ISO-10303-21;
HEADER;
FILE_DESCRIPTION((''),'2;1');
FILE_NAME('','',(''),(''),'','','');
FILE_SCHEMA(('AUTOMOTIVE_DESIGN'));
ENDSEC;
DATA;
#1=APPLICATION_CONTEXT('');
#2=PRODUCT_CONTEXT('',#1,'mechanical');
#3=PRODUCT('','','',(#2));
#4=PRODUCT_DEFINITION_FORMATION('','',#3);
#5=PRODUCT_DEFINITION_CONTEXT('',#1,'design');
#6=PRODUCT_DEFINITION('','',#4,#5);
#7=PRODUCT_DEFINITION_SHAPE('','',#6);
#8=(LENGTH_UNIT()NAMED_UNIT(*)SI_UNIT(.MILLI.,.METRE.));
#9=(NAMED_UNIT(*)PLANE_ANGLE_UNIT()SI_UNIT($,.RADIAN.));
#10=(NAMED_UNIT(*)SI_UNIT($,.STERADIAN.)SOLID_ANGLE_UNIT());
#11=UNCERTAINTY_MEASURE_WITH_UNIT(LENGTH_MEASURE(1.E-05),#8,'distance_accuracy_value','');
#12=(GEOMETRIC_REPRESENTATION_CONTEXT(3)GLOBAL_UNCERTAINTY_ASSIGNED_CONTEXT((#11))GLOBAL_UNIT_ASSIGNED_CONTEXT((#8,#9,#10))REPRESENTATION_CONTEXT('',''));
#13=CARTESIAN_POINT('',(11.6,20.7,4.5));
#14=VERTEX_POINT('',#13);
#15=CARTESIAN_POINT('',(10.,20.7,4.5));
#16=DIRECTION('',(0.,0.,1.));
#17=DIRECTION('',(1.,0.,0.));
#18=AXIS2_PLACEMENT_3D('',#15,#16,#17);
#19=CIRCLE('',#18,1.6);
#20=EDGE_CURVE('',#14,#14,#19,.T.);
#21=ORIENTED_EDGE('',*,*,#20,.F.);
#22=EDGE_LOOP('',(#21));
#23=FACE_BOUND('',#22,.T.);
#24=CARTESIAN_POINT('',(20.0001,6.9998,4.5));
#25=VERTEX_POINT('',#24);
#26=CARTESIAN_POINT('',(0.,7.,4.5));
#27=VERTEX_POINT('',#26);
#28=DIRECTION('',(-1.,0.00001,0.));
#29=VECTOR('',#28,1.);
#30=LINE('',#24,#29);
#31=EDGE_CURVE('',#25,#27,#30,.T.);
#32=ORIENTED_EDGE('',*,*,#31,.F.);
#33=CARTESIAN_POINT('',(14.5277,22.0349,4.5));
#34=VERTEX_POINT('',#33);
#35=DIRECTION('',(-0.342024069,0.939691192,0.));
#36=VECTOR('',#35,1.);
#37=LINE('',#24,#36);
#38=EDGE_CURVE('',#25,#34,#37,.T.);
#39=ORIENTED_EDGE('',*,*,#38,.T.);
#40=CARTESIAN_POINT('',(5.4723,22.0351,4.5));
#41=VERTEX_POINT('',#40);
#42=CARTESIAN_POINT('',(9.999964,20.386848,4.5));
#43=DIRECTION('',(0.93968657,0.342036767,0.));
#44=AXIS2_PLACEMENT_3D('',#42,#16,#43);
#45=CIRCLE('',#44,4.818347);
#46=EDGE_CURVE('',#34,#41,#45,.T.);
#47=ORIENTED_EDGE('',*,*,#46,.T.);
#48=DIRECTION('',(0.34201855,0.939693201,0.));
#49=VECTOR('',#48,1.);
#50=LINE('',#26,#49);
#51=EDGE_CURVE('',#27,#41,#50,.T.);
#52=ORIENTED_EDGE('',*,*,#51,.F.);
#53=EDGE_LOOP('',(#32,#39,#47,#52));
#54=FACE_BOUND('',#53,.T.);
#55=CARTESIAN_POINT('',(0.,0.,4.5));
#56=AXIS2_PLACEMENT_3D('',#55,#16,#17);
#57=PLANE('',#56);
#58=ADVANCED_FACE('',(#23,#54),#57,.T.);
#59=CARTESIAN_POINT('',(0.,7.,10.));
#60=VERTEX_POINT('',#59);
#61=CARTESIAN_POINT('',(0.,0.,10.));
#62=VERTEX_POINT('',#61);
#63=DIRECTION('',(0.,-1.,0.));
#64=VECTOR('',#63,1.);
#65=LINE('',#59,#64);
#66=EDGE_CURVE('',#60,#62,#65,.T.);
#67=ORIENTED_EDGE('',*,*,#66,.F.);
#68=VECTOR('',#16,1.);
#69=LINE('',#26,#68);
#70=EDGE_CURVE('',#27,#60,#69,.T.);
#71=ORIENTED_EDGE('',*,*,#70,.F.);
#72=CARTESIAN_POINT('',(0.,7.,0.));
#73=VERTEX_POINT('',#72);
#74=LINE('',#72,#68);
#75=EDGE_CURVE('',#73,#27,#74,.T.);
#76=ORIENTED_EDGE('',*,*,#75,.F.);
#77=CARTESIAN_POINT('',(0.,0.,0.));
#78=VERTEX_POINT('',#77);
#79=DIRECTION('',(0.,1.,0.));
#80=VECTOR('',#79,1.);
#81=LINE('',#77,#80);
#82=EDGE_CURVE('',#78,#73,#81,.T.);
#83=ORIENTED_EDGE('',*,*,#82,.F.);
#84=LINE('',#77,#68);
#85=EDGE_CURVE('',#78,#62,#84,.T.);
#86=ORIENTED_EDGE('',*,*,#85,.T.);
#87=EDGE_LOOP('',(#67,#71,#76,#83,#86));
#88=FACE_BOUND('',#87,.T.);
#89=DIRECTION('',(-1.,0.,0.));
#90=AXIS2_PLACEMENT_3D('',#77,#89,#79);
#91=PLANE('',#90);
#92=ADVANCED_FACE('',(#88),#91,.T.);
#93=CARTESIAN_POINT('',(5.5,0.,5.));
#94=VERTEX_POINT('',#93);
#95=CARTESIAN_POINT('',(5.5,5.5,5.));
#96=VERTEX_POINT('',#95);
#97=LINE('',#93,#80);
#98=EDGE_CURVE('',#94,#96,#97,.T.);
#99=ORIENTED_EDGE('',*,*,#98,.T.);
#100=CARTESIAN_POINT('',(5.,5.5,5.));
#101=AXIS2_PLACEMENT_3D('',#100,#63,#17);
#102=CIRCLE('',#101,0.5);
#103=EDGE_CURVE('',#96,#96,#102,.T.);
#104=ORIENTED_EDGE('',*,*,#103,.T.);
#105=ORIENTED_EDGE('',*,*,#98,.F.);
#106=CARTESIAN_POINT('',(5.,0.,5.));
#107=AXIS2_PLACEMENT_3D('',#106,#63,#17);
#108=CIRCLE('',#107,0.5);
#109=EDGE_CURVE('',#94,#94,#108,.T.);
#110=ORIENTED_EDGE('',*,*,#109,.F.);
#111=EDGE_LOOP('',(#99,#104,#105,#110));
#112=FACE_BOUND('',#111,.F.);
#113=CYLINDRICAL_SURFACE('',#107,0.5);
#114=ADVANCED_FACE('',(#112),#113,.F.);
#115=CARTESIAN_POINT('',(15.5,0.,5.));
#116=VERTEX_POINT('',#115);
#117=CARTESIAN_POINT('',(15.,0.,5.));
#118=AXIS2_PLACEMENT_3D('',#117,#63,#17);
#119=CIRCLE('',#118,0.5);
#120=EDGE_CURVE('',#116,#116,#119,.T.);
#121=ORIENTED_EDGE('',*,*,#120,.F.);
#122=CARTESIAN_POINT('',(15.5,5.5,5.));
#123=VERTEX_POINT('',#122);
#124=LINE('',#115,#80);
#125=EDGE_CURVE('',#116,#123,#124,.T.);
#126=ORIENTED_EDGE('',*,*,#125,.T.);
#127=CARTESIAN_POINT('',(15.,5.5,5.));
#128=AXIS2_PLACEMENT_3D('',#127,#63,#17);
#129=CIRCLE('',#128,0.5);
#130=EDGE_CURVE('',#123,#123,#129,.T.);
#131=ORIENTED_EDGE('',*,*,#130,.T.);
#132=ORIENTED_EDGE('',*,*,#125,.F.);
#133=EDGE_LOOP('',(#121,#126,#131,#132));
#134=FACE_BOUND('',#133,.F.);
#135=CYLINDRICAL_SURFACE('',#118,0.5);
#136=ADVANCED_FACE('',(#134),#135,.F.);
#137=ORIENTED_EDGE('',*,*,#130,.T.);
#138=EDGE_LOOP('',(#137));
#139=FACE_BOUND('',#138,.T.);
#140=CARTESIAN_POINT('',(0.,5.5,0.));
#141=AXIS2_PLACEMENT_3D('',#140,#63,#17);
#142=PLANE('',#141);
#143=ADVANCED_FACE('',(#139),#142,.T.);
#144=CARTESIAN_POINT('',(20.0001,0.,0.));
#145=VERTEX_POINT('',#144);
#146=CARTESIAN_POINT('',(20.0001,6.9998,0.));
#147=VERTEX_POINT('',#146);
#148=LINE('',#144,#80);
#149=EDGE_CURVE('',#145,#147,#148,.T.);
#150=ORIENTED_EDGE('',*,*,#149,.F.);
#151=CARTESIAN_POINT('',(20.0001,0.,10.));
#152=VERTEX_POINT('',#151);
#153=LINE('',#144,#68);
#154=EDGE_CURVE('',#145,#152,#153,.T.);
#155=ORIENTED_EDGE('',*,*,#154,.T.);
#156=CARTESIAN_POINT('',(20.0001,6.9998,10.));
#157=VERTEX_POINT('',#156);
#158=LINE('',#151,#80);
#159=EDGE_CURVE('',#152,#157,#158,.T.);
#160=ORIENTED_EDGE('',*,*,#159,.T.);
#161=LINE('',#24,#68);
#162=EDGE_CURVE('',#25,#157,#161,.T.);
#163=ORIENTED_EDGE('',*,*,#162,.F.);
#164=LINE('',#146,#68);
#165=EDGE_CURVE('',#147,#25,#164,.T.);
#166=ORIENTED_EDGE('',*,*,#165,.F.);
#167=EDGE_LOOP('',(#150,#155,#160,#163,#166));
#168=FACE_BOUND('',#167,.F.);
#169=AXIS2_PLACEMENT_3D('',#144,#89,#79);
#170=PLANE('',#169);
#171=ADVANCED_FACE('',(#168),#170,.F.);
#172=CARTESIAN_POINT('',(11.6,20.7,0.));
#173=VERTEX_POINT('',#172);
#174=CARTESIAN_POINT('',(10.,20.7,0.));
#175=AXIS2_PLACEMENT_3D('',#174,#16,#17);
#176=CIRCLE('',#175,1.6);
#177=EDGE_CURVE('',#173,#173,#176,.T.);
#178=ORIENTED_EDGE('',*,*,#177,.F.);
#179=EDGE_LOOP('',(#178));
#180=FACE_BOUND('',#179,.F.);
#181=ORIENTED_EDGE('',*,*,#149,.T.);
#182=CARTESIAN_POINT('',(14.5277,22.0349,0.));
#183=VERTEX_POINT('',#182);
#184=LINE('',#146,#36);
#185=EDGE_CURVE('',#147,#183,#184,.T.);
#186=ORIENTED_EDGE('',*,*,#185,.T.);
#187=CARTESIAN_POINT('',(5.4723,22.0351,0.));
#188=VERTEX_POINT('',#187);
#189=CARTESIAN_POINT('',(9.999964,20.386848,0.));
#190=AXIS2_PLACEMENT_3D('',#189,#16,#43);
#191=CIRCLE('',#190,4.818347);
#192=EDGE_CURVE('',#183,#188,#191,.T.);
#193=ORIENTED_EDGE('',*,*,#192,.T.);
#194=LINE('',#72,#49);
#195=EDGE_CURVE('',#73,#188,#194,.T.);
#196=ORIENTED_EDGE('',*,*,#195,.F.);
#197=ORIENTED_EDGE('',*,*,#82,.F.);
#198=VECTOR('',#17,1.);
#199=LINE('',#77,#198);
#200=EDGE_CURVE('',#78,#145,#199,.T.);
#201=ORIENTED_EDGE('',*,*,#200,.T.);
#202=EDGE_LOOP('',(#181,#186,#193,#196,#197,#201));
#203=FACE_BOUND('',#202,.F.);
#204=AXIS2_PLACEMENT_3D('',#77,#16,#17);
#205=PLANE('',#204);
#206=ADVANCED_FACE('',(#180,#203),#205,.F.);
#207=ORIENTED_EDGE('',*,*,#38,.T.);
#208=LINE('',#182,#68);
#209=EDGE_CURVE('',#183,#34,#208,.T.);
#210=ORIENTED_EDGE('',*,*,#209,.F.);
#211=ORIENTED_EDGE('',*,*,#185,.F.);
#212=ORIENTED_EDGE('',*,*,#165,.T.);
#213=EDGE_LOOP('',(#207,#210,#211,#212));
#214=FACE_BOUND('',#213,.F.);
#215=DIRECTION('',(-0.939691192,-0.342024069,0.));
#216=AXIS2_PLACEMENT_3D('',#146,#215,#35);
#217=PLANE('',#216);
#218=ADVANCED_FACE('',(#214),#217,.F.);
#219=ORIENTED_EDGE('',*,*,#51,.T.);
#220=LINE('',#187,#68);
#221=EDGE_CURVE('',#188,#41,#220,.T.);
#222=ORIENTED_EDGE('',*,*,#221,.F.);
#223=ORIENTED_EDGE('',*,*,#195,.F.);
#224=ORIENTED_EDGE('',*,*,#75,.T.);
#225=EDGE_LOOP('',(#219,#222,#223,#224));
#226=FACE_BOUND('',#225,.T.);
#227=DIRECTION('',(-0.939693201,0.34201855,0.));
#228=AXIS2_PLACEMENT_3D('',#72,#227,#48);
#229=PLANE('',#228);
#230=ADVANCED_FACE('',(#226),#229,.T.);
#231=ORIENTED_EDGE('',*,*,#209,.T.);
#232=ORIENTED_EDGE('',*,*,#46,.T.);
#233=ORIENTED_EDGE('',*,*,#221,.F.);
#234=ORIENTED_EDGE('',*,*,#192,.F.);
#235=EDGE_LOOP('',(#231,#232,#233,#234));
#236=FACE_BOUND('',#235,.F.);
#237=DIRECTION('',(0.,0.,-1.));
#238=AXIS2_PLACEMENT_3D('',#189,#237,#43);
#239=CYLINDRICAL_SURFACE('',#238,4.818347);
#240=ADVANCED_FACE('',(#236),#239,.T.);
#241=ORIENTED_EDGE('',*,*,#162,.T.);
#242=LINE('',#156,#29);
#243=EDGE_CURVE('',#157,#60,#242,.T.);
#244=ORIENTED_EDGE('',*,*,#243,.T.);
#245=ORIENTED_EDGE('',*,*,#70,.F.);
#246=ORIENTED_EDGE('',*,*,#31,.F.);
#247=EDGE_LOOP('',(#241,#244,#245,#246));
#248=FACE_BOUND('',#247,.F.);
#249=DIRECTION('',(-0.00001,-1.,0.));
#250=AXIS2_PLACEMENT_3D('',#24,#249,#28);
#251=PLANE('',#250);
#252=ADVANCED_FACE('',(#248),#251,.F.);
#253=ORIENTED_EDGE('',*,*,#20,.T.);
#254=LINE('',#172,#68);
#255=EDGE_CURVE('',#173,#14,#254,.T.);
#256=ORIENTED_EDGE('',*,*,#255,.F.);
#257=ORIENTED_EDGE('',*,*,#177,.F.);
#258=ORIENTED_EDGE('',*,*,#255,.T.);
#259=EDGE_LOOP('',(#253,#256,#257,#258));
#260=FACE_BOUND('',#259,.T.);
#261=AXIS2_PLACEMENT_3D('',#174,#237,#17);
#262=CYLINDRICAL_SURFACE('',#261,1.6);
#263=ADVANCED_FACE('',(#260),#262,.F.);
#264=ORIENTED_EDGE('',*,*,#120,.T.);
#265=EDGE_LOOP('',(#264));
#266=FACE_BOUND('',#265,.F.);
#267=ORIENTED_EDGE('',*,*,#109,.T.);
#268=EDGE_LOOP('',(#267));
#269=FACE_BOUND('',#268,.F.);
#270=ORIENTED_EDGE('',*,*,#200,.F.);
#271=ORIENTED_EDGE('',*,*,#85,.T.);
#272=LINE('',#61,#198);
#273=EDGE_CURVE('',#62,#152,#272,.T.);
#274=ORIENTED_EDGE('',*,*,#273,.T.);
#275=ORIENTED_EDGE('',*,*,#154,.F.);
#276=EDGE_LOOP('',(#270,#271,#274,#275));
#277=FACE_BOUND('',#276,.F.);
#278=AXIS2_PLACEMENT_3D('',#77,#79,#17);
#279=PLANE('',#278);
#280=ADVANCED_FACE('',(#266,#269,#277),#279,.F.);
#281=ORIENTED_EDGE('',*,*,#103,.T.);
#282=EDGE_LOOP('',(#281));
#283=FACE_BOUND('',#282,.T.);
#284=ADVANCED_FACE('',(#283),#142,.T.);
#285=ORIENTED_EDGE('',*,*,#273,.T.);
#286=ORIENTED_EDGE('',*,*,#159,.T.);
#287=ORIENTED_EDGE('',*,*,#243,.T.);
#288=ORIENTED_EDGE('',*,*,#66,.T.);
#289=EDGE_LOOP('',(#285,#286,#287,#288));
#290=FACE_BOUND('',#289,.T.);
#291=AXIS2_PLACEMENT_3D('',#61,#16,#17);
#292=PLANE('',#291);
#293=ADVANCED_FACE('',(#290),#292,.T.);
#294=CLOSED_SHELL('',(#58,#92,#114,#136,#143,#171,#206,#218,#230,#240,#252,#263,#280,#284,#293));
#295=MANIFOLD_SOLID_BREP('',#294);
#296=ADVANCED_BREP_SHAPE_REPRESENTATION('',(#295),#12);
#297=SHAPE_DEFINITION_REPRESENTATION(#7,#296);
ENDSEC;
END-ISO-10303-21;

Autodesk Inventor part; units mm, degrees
ref_plane "YZ Plane" through (0, 0, 0) normal (1, 0, 0) x (0, 1, 0)
ref_plane "XZ Plane" through (0, 0, 0) normal (0, 1, 0) x (-1, 0, 0)
ref_plane "XY Plane" through (0, 0, 0) normal (0, 0, 1) x (1, 0, 0)
sketch "Sketch1" plane through (0, 0, 0) normal (0, 0, 1) x (1, 0, 0)
  circle A0 centre (10, 20.7) radius 1.6
  line L0 (0, 0) -> (20.0001, 0)
  line L1 (0, 0) -> (0, 7)
  line L2 (20.0001, 0) -> (20.0001, 6.9998)
  line L3 (0, 7) -> (5.4723, 22.0351)
  line L4 (0, 7) -> (16, 7) construction
  line L5 (20.0001, 6.9998) -> (14.5277, 22.0349)
  line L6 (20.0001, 6.9998) -> (36.0001, 6.9998) construction
  arc A1 (14.5277, 22.0349) -> (5.4723, 22.0351) centre (10, 20.3869) ccw
  dimension "d17" = 7
  dimension "d18" = 6.9998
  dimension "d19" = 20.7
  dimension "d23" = 90
  dimension "d24" = 90
  dimension "d25" = 10
  dimension "d26" = 16
  dimension "d27" = 70
  dimension "d28" = 16
  dimension "d29" = 110
  dimension "d30" = 10
sketch "Sketch3" plane through (0, 0, 0) normal (0, 0, 1) x (1, 0, 0)
  point P0 (0, 0)
extrude "Extrusion1" add sketch "Sketch1" along normal blind 4.5
sketch "Sketch4" plane through (0, 0, 4.5) normal (0, 0, 1) x (1, 0, 0)
  line L0 (0, 7) -> (0, 0) projected
  line L1 (20.0001, 0) -> (20.0001, 6.9998) projected
  line L2 (0, 0) -> (20.0001, 0)
  line L3 (20.0001, 0) -> (20.0001, 6.9998)
  line L4 (3.884, 22.9404) -> (-0.0481, 7.0119) projected
  line L5 (20.0001, 6.9998) -> (0, 6.9998)
  line L6 (0, 7) -> (0, 0)
extrude "Extrusion2" add sketch "Sketch4" along normal blind 5.5
sketch "Sketch5" plane through (0, 0, 0) normal (0, -1, 0) x (1, 0, 0)
  circle A0 centre (5, 5) radius 0.5
  circle A1 centre (15, 5) radius 0.5
  point P0 (0, 0)
  dimension "d13" = 1
  dimension "d14" = 1
extrude "Extrusion3" cut sketch "Sketch5" against normal blind 5.5
properties part number "upper_deck_shaft_mount_v2"
